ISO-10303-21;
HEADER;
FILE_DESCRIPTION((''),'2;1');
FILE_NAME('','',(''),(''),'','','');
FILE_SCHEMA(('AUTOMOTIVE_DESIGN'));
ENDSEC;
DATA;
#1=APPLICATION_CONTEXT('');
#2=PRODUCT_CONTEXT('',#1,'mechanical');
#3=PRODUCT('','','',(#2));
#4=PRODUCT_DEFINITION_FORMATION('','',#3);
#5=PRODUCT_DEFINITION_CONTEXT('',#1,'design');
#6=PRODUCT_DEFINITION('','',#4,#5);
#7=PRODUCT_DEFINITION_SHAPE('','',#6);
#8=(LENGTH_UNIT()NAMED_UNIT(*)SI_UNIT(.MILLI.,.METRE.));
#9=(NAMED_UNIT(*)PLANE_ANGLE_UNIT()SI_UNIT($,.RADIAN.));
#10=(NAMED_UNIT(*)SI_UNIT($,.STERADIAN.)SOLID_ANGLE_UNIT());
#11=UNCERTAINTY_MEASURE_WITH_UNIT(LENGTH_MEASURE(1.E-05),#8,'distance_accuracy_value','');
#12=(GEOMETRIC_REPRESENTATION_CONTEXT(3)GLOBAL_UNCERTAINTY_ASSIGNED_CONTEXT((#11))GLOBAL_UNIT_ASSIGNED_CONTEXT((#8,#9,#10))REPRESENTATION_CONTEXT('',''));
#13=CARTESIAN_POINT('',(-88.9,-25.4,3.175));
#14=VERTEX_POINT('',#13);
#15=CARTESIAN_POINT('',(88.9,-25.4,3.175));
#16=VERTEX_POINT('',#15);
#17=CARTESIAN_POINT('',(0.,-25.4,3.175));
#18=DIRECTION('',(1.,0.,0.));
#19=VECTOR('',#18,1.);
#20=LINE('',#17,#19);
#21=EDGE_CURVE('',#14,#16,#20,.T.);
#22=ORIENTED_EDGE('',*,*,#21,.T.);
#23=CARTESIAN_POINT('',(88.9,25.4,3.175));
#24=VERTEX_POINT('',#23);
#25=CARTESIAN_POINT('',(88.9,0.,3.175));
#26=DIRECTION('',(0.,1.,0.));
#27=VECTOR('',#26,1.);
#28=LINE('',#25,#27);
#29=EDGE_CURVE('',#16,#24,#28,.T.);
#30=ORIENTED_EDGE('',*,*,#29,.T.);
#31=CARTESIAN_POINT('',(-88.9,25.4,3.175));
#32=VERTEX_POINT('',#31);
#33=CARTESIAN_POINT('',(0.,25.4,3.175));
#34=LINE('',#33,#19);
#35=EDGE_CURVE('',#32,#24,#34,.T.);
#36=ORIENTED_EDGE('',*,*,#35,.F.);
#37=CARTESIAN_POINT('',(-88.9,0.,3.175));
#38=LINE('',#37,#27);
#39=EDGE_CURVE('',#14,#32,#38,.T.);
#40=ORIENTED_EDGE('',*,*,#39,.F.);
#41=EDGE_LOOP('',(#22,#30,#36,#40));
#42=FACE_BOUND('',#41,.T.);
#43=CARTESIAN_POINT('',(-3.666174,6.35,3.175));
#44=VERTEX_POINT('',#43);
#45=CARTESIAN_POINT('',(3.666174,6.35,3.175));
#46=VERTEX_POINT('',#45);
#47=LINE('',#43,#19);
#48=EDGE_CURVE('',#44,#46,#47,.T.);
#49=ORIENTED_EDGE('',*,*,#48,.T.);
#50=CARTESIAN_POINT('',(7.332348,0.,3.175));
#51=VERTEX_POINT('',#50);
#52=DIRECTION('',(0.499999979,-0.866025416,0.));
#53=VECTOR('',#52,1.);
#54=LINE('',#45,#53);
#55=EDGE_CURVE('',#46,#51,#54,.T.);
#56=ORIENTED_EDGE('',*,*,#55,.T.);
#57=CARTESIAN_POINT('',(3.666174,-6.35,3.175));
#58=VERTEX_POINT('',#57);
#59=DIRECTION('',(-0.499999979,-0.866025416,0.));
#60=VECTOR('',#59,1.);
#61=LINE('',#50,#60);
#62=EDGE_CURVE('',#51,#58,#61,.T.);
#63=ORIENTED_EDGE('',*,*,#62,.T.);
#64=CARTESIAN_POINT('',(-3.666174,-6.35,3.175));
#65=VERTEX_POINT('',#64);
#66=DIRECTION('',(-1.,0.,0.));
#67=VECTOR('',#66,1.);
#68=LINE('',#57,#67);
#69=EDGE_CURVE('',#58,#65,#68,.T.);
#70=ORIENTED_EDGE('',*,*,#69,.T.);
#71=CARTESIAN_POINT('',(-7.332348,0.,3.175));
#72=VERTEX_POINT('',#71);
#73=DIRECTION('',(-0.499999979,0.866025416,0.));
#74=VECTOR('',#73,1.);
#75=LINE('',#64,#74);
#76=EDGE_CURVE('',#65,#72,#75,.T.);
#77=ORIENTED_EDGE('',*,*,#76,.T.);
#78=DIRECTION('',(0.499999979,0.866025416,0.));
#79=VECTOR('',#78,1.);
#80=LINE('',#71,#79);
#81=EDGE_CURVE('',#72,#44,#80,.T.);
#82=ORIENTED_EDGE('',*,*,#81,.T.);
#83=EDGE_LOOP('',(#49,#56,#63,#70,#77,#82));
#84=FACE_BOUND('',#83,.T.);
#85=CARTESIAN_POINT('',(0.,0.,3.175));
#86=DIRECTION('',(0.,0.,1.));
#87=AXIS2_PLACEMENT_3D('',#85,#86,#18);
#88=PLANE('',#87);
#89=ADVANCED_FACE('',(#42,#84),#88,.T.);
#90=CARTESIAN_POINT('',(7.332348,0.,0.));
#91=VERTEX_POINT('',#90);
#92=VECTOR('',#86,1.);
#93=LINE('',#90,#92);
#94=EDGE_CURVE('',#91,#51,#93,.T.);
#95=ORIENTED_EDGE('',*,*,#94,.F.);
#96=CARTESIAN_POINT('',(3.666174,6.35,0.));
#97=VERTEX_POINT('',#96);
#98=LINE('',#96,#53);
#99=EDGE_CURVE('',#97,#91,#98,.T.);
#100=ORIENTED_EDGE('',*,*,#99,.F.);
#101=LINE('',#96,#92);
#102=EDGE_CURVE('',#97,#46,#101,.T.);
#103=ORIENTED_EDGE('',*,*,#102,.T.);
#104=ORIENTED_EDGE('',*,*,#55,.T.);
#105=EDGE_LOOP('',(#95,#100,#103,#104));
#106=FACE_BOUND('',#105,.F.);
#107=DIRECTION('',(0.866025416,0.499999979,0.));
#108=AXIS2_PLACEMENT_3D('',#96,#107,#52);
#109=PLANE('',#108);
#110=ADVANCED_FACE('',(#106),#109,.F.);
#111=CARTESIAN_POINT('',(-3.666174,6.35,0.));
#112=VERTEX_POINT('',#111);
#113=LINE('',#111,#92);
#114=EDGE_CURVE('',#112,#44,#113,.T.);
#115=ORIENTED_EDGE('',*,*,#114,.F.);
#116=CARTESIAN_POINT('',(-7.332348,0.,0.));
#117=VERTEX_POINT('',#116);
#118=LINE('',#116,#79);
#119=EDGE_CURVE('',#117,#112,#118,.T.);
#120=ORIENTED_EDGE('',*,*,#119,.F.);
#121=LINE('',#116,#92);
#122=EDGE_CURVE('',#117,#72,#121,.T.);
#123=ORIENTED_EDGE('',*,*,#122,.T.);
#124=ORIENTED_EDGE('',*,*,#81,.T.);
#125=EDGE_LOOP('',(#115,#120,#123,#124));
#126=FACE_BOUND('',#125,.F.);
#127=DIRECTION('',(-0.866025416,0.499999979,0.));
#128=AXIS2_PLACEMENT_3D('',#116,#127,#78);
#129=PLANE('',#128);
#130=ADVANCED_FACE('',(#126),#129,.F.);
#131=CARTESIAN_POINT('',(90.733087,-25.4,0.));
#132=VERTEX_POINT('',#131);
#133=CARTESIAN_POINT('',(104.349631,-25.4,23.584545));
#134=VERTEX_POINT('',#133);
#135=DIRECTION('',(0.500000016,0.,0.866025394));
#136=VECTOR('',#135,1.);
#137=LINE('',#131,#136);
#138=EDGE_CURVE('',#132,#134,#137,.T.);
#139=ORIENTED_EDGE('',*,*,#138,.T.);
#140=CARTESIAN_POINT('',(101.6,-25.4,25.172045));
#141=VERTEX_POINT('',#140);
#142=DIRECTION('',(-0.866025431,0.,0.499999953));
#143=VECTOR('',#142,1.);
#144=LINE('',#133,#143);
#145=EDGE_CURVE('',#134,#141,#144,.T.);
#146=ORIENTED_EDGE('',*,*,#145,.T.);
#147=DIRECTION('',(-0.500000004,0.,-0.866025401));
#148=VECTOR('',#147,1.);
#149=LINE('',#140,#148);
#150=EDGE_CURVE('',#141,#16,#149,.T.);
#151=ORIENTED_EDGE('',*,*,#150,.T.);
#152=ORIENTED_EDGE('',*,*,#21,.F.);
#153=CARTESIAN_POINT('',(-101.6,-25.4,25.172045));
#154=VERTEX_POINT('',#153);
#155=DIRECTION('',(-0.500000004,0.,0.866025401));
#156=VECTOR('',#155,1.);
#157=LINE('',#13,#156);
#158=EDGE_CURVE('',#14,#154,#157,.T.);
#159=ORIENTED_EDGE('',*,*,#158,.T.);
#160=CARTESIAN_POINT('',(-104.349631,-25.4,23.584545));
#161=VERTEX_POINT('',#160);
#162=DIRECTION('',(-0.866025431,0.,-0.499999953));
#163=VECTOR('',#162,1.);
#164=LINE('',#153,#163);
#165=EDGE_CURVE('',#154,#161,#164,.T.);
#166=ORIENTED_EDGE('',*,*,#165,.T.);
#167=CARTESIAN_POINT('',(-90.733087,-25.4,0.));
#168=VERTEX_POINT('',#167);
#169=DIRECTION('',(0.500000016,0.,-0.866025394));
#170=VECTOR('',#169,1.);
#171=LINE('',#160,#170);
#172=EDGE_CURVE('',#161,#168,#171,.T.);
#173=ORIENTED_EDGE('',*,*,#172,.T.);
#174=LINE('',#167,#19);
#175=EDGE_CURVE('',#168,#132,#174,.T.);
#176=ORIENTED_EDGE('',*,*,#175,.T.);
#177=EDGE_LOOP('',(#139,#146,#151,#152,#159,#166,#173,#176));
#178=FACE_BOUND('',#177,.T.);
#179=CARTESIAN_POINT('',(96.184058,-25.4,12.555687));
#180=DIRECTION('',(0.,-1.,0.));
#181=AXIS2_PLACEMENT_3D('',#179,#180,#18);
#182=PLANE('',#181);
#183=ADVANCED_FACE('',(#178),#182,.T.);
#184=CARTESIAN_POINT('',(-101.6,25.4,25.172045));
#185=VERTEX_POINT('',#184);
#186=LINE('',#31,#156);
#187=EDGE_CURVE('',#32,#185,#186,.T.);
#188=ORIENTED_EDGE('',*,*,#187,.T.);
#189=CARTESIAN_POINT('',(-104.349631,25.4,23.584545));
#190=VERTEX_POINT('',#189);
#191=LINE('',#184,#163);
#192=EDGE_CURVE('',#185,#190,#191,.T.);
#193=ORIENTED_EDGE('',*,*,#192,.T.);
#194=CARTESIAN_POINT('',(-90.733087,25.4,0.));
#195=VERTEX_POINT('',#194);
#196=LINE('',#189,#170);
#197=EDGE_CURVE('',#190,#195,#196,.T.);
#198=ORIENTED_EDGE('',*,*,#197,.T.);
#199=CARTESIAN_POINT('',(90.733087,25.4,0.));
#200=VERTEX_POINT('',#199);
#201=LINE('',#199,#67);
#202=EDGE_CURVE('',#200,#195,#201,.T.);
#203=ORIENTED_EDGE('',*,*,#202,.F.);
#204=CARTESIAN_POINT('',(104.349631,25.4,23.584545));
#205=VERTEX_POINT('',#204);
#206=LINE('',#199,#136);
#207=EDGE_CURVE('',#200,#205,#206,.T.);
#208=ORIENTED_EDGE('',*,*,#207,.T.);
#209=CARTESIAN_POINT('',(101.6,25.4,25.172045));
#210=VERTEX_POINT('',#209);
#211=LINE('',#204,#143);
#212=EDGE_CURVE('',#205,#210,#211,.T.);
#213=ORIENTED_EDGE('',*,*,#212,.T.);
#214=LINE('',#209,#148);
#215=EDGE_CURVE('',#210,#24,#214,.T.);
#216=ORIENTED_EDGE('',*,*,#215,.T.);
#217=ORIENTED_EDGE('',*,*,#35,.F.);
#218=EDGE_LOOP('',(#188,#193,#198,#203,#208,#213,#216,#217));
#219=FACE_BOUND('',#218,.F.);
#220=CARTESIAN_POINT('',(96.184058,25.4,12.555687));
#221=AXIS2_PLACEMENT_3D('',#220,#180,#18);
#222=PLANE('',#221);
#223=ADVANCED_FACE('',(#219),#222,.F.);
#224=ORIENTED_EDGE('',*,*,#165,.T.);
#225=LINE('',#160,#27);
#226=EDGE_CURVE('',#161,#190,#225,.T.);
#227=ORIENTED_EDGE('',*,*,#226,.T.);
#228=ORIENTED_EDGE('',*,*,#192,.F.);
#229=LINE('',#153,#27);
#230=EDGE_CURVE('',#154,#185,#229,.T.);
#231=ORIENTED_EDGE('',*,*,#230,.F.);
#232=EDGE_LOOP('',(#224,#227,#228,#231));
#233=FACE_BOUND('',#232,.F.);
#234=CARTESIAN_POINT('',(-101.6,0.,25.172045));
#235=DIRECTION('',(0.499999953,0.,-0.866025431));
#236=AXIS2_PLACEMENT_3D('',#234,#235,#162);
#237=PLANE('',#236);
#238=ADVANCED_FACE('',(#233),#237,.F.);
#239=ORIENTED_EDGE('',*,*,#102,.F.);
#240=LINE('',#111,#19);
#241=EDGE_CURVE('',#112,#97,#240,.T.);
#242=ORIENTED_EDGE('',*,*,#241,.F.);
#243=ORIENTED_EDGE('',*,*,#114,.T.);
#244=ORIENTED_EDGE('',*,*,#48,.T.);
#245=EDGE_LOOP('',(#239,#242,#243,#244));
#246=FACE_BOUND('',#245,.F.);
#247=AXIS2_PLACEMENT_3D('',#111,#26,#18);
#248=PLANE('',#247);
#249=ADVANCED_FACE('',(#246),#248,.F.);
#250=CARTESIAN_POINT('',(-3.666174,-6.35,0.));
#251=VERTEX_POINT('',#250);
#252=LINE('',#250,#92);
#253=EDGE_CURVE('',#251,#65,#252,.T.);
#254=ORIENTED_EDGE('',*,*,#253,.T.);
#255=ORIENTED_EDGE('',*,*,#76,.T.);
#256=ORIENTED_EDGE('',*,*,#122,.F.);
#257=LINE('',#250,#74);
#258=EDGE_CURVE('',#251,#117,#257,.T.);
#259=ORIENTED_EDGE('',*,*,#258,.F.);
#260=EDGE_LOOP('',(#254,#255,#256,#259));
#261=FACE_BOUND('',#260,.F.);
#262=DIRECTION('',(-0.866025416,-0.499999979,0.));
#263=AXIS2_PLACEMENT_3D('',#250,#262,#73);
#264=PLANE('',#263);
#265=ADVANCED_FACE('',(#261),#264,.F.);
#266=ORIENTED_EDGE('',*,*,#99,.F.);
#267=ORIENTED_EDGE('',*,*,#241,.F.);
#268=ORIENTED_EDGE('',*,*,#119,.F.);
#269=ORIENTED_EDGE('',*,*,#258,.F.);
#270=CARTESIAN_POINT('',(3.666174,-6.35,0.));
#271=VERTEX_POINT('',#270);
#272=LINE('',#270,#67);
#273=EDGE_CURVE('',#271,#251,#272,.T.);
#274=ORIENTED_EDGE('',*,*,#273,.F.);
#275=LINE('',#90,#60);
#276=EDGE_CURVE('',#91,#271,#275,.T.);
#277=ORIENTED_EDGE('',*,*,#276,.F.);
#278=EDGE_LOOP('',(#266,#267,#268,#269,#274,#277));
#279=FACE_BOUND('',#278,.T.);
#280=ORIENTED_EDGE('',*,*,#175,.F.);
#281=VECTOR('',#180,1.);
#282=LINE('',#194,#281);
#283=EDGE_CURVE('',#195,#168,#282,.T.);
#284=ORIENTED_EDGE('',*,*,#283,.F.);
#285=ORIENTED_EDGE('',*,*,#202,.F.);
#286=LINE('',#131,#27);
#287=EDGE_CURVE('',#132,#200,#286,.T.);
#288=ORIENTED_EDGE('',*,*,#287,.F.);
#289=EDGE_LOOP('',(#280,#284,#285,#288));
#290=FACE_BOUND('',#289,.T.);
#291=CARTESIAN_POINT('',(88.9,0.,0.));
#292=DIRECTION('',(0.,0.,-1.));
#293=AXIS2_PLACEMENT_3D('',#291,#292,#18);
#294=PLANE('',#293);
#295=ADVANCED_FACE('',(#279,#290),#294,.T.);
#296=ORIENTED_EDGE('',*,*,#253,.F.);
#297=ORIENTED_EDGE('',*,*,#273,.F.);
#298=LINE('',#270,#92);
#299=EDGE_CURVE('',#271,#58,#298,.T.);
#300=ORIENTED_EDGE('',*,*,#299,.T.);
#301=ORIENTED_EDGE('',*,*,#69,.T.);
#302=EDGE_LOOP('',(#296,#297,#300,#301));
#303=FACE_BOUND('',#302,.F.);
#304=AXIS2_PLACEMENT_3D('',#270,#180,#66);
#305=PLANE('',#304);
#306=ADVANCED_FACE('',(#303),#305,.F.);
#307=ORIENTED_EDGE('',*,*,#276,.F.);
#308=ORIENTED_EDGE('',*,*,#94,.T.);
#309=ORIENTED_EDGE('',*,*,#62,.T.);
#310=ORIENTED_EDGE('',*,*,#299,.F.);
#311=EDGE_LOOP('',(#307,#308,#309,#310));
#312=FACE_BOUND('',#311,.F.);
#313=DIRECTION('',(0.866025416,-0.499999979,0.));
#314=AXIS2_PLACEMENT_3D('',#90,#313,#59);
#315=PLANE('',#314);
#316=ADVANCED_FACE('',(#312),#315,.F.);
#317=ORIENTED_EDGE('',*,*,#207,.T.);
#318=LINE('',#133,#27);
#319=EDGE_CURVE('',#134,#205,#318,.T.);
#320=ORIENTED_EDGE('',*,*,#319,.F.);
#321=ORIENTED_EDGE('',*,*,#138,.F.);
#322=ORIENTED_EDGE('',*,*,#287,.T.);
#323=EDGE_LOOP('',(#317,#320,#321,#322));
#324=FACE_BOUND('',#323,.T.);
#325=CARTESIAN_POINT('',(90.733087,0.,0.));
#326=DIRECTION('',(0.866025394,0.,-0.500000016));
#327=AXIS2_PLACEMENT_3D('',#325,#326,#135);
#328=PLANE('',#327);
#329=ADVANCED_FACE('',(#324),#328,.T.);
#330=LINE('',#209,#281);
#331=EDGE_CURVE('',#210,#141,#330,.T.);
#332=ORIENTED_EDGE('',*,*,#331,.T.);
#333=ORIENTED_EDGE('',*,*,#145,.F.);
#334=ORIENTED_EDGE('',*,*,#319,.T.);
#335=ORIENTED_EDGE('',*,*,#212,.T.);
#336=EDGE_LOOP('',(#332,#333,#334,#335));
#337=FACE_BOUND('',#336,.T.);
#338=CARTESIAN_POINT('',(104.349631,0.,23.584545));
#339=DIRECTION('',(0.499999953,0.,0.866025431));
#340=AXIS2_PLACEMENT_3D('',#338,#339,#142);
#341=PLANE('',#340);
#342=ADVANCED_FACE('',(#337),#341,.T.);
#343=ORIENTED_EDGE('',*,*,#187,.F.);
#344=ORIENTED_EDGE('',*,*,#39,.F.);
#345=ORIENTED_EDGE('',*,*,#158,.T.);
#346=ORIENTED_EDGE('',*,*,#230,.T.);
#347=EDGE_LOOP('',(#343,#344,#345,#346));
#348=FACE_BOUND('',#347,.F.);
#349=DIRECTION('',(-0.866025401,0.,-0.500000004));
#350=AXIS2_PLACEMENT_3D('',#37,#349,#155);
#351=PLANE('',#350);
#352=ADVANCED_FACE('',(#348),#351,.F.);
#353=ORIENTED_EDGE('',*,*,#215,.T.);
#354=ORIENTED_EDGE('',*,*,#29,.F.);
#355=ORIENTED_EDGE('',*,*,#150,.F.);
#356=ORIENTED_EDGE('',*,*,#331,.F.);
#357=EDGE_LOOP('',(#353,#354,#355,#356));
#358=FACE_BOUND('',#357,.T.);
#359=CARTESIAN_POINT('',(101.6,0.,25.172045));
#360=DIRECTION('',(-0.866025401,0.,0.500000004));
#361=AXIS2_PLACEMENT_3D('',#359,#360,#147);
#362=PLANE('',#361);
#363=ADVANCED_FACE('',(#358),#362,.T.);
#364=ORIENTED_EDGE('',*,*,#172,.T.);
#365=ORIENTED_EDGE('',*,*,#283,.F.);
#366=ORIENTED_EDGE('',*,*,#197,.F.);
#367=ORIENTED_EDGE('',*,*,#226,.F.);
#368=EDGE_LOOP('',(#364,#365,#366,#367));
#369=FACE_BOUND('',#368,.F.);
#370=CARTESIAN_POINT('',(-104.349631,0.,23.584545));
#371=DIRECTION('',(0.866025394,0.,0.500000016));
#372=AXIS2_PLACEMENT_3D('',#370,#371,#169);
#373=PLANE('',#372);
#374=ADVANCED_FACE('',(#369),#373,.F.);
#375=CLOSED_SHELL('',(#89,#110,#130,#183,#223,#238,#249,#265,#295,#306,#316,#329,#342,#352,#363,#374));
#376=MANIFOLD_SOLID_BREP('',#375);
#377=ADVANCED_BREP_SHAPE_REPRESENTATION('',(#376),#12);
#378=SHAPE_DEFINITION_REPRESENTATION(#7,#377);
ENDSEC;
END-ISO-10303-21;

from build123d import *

# Parameters (mm, degrees)
F0_W     = 177.8
F0_H     = 50.8
F1_DEPTH = 3.175
F3_DEPTH = 25.4


with BuildPart() as f1:
    # F0 (on Top) → F1 (new body)
    with BuildSketch(Plane.XY):
        Rectangle(F0_W, F0_H)
        Polygon((-3.666174, -6.35), (-7.332348, 0), (-3.666174, 6.35), (3.666174, 6.35), (7.332348, 0), (3.666174, -6.35), align=None, mode=Mode.SUBTRACT)
    extrude(amount=F1_DEPTH)

    # F2 (on Front) → F3 (join, symmetric)
    with BuildSketch(Plane.XZ):
        Polygon((-104.349631, 23.584545), (-90.733087, 0), (-88.9, 0), (-88.9, 3.175), (-101.6, 25.172045), align=None)
        Polygon((104.349631, 23.584545), (101.6, 25.172045), (88.9, 3.175), (88.9, 0), (90.733087, 0), align=None)
    extrude(amount=F3_DEPTH, both=True)


solid = f1.part
